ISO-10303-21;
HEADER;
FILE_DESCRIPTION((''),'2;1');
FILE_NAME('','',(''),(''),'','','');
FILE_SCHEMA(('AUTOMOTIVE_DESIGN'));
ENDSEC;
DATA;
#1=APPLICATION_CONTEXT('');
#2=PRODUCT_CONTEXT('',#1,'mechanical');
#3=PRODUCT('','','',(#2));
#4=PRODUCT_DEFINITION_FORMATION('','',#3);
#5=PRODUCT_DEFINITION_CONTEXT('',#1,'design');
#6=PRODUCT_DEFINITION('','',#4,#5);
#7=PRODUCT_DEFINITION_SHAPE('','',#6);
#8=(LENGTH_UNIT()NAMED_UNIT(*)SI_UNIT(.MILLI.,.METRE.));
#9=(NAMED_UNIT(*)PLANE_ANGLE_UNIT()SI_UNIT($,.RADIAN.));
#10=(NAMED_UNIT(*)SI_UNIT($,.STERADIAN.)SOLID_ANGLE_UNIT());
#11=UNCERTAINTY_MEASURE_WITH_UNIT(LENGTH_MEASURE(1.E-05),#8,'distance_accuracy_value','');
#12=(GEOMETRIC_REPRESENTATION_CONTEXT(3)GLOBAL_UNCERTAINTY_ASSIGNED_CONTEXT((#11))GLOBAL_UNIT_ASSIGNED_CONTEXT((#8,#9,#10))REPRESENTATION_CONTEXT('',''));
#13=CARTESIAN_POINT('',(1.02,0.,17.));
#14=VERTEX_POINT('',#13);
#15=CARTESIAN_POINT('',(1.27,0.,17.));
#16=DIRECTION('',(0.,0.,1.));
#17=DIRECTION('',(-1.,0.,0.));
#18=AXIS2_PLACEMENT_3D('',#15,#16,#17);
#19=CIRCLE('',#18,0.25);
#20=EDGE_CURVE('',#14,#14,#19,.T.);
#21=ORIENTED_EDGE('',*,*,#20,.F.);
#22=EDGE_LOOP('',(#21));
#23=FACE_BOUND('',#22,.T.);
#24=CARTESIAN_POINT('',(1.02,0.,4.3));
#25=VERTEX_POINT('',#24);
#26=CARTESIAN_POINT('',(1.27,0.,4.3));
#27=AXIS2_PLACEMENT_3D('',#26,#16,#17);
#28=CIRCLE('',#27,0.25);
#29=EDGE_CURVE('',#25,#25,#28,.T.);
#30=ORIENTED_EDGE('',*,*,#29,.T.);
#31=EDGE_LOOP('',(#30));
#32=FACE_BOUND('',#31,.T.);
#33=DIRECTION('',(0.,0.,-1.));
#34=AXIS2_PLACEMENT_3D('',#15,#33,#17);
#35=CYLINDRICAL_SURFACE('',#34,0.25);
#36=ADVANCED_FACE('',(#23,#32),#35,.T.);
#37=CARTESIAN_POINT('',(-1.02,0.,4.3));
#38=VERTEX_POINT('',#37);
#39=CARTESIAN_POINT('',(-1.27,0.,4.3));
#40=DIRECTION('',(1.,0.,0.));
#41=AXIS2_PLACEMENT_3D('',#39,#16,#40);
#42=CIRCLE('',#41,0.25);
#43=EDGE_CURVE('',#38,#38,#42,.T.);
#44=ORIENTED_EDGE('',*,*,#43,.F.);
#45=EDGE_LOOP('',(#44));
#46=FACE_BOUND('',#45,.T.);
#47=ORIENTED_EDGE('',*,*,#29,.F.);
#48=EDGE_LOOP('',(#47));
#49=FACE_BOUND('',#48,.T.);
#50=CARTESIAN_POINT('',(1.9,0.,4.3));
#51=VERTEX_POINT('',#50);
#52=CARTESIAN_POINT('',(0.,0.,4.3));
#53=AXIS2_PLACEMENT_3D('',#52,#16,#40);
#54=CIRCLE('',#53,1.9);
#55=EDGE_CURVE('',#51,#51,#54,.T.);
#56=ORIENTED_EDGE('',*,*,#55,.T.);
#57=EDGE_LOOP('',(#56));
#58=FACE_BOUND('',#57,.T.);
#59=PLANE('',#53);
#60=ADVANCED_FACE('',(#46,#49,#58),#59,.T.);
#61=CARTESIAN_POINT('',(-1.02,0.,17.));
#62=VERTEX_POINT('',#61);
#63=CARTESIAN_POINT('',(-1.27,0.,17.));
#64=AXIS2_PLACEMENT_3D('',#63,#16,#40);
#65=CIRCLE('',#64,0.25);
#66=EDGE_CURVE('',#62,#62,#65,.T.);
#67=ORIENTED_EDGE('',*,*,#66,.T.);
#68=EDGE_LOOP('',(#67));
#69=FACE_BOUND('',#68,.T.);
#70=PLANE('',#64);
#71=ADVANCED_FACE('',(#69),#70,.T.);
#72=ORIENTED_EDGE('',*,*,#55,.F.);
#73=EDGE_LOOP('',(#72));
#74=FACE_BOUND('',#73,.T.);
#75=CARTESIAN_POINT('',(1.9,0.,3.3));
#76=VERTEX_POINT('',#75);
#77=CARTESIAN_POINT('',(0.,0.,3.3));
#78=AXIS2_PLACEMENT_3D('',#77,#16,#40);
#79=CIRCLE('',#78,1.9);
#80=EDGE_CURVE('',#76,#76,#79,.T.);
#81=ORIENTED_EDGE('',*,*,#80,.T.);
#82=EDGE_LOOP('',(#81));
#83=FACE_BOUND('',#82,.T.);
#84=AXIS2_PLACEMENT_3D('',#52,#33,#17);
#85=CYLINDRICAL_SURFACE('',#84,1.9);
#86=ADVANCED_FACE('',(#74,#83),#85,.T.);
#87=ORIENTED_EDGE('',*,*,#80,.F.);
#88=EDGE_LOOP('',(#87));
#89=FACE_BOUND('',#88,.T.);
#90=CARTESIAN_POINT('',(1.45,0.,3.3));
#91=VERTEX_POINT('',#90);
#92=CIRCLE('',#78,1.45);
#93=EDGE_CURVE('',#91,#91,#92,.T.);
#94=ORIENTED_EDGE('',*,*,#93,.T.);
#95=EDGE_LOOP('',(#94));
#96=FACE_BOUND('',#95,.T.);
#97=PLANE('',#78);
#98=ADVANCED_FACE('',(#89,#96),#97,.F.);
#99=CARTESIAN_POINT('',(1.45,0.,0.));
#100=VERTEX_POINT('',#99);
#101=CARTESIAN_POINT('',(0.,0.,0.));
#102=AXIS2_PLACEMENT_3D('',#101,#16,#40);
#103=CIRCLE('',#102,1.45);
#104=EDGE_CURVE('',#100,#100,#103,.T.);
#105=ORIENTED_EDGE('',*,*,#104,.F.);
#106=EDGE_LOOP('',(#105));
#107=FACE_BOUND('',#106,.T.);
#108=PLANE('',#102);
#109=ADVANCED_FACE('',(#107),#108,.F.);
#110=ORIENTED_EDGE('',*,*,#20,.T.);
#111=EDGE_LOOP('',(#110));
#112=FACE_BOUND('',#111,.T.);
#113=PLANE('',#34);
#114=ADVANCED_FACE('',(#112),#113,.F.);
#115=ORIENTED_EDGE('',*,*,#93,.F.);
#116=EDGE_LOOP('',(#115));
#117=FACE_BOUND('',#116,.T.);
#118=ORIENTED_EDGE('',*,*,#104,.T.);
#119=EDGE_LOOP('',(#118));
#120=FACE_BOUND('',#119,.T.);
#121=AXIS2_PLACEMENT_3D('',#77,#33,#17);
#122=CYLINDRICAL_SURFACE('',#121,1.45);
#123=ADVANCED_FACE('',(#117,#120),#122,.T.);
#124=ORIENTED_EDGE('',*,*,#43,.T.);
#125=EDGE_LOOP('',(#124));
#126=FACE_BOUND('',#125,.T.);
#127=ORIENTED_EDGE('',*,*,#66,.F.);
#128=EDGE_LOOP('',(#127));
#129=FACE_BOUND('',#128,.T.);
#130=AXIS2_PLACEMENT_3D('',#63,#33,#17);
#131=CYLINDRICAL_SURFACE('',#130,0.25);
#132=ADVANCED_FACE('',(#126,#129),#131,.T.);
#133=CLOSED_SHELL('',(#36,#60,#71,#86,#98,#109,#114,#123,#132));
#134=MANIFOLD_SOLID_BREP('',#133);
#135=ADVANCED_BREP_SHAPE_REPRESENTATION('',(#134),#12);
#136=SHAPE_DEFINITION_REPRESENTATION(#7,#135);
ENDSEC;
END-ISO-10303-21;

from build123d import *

# Parameters (mm, degrees)
SKETCH_1_R      = 1.45
EXTRUDE_1_DEPTH = 3.3
SKETCH_2_R      = 1.9
EXTRUDE_2_DEPTH = 1
SKETCH_3_R      = 0.25
EXTRUDE_3_DEPTH = 12.7


with BuildPart() as part:
    # 草图1 → 拉伸1 (new body)
    with BuildSketch(Plane.XY):
        Circle(SKETCH_1_R)
    extrude(amount=EXTRUDE_1_DEPTH)

    # 草图2 → 拉伸2 (add)
    with BuildSketch(Plane.XY.offset(3.3)):
        Circle(SKETCH_2_R)
    extrude(amount=EXTRUDE_2_DEPTH)

    # 草图3 → 拉伸3 (add)
    with BuildSketch(Plane.XY.offset(4.3)):
        with Locations((-1.27, 0)):
            Circle(SKETCH_3_R)
        with Locations(Location((1.27, 0, 0), (0, 0, 180))):
            Circle(SKETCH_3_R)
    extrude(amount=EXTRUDE_3_DEPTH)


solid = part.part
